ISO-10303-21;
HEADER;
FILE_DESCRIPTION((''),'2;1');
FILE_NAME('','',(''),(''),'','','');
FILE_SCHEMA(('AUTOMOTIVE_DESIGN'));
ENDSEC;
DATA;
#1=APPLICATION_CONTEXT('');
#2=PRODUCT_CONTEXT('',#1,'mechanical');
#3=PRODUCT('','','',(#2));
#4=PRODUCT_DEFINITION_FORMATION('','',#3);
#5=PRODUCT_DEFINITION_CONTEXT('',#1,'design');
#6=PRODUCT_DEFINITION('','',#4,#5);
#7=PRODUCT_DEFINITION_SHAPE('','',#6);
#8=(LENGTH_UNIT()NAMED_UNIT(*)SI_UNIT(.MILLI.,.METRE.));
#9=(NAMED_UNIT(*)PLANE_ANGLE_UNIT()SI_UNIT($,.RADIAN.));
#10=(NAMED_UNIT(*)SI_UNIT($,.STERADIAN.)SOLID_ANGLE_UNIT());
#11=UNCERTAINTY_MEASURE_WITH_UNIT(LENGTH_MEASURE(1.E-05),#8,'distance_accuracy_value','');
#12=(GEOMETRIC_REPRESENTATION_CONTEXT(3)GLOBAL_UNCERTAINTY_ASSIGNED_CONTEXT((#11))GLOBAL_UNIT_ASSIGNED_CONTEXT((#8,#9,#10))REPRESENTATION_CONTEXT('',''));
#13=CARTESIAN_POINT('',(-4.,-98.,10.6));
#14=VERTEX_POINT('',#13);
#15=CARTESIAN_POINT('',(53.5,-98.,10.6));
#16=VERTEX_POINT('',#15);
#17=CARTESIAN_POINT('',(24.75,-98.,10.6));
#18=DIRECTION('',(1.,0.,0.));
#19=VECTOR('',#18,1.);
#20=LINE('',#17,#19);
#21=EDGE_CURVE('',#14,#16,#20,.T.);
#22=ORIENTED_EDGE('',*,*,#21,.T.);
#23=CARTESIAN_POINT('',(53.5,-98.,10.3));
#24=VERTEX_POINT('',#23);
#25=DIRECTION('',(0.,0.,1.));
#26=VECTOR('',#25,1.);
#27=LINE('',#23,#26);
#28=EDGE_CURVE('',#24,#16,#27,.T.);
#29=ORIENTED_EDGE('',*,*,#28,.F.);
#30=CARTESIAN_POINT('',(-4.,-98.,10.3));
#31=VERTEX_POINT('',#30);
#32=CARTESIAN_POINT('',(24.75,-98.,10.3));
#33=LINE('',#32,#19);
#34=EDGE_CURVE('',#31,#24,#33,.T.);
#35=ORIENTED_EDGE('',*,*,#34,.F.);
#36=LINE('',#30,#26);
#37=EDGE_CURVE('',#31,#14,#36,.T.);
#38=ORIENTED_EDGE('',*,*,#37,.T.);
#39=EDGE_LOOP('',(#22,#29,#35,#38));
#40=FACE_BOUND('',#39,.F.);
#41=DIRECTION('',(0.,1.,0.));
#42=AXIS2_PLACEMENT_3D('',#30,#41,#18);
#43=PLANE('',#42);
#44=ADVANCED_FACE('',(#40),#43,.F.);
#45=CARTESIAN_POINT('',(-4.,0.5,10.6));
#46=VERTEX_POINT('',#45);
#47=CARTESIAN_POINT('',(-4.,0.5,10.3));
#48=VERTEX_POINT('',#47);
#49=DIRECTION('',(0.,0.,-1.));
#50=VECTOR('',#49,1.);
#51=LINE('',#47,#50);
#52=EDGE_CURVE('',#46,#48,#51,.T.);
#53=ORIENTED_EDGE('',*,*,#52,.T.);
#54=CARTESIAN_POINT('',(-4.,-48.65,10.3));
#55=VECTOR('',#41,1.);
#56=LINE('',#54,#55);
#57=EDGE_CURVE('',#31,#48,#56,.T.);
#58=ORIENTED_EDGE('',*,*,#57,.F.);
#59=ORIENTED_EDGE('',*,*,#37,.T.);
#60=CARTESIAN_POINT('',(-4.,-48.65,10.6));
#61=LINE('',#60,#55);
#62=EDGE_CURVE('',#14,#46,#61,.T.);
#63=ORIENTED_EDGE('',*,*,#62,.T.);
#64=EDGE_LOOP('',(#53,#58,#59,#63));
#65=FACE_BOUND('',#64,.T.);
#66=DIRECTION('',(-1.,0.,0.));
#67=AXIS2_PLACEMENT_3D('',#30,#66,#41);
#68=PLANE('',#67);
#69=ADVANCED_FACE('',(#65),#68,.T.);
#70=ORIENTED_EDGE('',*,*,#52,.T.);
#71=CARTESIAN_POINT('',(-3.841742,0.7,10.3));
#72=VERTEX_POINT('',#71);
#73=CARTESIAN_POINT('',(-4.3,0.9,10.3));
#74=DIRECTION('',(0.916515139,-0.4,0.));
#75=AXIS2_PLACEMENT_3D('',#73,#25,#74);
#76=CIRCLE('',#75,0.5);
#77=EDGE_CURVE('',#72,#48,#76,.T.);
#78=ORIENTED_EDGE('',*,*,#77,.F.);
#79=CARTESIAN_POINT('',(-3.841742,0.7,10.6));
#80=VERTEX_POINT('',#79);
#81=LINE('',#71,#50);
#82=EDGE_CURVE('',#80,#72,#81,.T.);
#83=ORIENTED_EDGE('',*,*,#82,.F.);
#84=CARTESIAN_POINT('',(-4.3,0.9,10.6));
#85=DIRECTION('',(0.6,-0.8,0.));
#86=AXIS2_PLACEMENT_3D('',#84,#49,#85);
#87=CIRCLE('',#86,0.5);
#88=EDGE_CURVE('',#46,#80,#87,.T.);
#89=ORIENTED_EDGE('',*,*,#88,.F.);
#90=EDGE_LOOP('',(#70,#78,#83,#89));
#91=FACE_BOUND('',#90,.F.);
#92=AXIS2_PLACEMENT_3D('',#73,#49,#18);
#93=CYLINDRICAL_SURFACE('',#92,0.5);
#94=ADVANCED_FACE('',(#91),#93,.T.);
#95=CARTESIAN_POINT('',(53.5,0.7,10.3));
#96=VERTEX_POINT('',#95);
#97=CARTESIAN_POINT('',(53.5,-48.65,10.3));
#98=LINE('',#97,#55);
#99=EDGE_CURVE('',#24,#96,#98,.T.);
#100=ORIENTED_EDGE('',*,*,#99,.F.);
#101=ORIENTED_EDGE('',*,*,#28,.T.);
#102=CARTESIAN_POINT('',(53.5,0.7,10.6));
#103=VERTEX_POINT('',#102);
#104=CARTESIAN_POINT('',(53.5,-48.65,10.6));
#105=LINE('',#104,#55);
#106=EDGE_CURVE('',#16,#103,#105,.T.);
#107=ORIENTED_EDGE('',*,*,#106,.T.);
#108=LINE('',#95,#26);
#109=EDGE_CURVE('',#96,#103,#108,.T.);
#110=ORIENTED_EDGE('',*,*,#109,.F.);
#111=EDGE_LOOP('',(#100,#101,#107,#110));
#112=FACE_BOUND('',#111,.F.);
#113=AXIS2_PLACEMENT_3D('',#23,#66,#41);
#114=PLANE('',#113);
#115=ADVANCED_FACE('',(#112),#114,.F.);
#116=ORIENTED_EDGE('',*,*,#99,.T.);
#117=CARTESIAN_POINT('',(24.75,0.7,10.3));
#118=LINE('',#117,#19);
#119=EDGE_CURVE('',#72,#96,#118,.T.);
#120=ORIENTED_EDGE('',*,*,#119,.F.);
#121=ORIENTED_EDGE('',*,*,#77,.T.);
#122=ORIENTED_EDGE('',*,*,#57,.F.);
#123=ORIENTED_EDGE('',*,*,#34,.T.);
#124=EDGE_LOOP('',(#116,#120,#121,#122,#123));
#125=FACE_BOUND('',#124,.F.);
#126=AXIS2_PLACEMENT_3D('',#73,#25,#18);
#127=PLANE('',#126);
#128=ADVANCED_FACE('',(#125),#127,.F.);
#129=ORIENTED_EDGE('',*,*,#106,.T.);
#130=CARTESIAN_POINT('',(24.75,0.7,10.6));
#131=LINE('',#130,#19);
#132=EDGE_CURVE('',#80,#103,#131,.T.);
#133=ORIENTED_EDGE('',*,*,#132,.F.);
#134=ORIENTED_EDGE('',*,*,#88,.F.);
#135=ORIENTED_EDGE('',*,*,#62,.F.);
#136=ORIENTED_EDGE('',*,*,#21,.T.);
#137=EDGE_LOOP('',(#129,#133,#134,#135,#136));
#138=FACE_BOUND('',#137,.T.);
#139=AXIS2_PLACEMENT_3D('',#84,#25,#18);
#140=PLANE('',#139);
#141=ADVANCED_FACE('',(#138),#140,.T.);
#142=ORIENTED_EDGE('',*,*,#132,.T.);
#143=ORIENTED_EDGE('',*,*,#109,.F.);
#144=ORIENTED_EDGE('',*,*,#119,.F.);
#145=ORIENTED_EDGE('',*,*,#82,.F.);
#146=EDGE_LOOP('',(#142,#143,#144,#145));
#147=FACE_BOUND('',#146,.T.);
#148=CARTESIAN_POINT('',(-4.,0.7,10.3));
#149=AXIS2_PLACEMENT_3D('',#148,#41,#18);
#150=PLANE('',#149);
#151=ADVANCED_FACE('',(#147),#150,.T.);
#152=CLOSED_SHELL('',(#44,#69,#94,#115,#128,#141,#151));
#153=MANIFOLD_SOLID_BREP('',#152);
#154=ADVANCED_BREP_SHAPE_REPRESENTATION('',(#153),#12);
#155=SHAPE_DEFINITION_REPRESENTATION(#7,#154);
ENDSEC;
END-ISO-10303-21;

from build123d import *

# Parameters (mm, degrees)
CYLINDER_R     = 0.5
CYLINDER_DEPTH = 0.3
BOX004_W       = 57.5
BOX004_H       = 98.7
BOX004_DEPTH   = 0.3


with BuildPart() as cylinder:
    # Cylinder → Cylinder (new body)
    with BuildSketch(Plane(origin=(-4.3, 0.9, 10.3), x_dir=(1, 0, 0), z_dir=(0, 0, 1))):
        Circle(CYLINDER_R)
    extrude(amount=CYLINDER_DEPTH)


with BuildPart() as displayframe001:
    # Box004 → Box004 (new body)
    with BuildSketch(Plane(origin=(-4, -98, 10.3), x_dir=(1, 0, 0), z_dir=(0, 0, 1))):
        with Locations((28.75, 49.35)):
            Rectangle(BOX004_W, BOX004_H)
    extrude(amount=BOX004_DEPTH)

    # Fusion001: union Cylinder
    add(cylinder.part)


solid = displayframe001.part
